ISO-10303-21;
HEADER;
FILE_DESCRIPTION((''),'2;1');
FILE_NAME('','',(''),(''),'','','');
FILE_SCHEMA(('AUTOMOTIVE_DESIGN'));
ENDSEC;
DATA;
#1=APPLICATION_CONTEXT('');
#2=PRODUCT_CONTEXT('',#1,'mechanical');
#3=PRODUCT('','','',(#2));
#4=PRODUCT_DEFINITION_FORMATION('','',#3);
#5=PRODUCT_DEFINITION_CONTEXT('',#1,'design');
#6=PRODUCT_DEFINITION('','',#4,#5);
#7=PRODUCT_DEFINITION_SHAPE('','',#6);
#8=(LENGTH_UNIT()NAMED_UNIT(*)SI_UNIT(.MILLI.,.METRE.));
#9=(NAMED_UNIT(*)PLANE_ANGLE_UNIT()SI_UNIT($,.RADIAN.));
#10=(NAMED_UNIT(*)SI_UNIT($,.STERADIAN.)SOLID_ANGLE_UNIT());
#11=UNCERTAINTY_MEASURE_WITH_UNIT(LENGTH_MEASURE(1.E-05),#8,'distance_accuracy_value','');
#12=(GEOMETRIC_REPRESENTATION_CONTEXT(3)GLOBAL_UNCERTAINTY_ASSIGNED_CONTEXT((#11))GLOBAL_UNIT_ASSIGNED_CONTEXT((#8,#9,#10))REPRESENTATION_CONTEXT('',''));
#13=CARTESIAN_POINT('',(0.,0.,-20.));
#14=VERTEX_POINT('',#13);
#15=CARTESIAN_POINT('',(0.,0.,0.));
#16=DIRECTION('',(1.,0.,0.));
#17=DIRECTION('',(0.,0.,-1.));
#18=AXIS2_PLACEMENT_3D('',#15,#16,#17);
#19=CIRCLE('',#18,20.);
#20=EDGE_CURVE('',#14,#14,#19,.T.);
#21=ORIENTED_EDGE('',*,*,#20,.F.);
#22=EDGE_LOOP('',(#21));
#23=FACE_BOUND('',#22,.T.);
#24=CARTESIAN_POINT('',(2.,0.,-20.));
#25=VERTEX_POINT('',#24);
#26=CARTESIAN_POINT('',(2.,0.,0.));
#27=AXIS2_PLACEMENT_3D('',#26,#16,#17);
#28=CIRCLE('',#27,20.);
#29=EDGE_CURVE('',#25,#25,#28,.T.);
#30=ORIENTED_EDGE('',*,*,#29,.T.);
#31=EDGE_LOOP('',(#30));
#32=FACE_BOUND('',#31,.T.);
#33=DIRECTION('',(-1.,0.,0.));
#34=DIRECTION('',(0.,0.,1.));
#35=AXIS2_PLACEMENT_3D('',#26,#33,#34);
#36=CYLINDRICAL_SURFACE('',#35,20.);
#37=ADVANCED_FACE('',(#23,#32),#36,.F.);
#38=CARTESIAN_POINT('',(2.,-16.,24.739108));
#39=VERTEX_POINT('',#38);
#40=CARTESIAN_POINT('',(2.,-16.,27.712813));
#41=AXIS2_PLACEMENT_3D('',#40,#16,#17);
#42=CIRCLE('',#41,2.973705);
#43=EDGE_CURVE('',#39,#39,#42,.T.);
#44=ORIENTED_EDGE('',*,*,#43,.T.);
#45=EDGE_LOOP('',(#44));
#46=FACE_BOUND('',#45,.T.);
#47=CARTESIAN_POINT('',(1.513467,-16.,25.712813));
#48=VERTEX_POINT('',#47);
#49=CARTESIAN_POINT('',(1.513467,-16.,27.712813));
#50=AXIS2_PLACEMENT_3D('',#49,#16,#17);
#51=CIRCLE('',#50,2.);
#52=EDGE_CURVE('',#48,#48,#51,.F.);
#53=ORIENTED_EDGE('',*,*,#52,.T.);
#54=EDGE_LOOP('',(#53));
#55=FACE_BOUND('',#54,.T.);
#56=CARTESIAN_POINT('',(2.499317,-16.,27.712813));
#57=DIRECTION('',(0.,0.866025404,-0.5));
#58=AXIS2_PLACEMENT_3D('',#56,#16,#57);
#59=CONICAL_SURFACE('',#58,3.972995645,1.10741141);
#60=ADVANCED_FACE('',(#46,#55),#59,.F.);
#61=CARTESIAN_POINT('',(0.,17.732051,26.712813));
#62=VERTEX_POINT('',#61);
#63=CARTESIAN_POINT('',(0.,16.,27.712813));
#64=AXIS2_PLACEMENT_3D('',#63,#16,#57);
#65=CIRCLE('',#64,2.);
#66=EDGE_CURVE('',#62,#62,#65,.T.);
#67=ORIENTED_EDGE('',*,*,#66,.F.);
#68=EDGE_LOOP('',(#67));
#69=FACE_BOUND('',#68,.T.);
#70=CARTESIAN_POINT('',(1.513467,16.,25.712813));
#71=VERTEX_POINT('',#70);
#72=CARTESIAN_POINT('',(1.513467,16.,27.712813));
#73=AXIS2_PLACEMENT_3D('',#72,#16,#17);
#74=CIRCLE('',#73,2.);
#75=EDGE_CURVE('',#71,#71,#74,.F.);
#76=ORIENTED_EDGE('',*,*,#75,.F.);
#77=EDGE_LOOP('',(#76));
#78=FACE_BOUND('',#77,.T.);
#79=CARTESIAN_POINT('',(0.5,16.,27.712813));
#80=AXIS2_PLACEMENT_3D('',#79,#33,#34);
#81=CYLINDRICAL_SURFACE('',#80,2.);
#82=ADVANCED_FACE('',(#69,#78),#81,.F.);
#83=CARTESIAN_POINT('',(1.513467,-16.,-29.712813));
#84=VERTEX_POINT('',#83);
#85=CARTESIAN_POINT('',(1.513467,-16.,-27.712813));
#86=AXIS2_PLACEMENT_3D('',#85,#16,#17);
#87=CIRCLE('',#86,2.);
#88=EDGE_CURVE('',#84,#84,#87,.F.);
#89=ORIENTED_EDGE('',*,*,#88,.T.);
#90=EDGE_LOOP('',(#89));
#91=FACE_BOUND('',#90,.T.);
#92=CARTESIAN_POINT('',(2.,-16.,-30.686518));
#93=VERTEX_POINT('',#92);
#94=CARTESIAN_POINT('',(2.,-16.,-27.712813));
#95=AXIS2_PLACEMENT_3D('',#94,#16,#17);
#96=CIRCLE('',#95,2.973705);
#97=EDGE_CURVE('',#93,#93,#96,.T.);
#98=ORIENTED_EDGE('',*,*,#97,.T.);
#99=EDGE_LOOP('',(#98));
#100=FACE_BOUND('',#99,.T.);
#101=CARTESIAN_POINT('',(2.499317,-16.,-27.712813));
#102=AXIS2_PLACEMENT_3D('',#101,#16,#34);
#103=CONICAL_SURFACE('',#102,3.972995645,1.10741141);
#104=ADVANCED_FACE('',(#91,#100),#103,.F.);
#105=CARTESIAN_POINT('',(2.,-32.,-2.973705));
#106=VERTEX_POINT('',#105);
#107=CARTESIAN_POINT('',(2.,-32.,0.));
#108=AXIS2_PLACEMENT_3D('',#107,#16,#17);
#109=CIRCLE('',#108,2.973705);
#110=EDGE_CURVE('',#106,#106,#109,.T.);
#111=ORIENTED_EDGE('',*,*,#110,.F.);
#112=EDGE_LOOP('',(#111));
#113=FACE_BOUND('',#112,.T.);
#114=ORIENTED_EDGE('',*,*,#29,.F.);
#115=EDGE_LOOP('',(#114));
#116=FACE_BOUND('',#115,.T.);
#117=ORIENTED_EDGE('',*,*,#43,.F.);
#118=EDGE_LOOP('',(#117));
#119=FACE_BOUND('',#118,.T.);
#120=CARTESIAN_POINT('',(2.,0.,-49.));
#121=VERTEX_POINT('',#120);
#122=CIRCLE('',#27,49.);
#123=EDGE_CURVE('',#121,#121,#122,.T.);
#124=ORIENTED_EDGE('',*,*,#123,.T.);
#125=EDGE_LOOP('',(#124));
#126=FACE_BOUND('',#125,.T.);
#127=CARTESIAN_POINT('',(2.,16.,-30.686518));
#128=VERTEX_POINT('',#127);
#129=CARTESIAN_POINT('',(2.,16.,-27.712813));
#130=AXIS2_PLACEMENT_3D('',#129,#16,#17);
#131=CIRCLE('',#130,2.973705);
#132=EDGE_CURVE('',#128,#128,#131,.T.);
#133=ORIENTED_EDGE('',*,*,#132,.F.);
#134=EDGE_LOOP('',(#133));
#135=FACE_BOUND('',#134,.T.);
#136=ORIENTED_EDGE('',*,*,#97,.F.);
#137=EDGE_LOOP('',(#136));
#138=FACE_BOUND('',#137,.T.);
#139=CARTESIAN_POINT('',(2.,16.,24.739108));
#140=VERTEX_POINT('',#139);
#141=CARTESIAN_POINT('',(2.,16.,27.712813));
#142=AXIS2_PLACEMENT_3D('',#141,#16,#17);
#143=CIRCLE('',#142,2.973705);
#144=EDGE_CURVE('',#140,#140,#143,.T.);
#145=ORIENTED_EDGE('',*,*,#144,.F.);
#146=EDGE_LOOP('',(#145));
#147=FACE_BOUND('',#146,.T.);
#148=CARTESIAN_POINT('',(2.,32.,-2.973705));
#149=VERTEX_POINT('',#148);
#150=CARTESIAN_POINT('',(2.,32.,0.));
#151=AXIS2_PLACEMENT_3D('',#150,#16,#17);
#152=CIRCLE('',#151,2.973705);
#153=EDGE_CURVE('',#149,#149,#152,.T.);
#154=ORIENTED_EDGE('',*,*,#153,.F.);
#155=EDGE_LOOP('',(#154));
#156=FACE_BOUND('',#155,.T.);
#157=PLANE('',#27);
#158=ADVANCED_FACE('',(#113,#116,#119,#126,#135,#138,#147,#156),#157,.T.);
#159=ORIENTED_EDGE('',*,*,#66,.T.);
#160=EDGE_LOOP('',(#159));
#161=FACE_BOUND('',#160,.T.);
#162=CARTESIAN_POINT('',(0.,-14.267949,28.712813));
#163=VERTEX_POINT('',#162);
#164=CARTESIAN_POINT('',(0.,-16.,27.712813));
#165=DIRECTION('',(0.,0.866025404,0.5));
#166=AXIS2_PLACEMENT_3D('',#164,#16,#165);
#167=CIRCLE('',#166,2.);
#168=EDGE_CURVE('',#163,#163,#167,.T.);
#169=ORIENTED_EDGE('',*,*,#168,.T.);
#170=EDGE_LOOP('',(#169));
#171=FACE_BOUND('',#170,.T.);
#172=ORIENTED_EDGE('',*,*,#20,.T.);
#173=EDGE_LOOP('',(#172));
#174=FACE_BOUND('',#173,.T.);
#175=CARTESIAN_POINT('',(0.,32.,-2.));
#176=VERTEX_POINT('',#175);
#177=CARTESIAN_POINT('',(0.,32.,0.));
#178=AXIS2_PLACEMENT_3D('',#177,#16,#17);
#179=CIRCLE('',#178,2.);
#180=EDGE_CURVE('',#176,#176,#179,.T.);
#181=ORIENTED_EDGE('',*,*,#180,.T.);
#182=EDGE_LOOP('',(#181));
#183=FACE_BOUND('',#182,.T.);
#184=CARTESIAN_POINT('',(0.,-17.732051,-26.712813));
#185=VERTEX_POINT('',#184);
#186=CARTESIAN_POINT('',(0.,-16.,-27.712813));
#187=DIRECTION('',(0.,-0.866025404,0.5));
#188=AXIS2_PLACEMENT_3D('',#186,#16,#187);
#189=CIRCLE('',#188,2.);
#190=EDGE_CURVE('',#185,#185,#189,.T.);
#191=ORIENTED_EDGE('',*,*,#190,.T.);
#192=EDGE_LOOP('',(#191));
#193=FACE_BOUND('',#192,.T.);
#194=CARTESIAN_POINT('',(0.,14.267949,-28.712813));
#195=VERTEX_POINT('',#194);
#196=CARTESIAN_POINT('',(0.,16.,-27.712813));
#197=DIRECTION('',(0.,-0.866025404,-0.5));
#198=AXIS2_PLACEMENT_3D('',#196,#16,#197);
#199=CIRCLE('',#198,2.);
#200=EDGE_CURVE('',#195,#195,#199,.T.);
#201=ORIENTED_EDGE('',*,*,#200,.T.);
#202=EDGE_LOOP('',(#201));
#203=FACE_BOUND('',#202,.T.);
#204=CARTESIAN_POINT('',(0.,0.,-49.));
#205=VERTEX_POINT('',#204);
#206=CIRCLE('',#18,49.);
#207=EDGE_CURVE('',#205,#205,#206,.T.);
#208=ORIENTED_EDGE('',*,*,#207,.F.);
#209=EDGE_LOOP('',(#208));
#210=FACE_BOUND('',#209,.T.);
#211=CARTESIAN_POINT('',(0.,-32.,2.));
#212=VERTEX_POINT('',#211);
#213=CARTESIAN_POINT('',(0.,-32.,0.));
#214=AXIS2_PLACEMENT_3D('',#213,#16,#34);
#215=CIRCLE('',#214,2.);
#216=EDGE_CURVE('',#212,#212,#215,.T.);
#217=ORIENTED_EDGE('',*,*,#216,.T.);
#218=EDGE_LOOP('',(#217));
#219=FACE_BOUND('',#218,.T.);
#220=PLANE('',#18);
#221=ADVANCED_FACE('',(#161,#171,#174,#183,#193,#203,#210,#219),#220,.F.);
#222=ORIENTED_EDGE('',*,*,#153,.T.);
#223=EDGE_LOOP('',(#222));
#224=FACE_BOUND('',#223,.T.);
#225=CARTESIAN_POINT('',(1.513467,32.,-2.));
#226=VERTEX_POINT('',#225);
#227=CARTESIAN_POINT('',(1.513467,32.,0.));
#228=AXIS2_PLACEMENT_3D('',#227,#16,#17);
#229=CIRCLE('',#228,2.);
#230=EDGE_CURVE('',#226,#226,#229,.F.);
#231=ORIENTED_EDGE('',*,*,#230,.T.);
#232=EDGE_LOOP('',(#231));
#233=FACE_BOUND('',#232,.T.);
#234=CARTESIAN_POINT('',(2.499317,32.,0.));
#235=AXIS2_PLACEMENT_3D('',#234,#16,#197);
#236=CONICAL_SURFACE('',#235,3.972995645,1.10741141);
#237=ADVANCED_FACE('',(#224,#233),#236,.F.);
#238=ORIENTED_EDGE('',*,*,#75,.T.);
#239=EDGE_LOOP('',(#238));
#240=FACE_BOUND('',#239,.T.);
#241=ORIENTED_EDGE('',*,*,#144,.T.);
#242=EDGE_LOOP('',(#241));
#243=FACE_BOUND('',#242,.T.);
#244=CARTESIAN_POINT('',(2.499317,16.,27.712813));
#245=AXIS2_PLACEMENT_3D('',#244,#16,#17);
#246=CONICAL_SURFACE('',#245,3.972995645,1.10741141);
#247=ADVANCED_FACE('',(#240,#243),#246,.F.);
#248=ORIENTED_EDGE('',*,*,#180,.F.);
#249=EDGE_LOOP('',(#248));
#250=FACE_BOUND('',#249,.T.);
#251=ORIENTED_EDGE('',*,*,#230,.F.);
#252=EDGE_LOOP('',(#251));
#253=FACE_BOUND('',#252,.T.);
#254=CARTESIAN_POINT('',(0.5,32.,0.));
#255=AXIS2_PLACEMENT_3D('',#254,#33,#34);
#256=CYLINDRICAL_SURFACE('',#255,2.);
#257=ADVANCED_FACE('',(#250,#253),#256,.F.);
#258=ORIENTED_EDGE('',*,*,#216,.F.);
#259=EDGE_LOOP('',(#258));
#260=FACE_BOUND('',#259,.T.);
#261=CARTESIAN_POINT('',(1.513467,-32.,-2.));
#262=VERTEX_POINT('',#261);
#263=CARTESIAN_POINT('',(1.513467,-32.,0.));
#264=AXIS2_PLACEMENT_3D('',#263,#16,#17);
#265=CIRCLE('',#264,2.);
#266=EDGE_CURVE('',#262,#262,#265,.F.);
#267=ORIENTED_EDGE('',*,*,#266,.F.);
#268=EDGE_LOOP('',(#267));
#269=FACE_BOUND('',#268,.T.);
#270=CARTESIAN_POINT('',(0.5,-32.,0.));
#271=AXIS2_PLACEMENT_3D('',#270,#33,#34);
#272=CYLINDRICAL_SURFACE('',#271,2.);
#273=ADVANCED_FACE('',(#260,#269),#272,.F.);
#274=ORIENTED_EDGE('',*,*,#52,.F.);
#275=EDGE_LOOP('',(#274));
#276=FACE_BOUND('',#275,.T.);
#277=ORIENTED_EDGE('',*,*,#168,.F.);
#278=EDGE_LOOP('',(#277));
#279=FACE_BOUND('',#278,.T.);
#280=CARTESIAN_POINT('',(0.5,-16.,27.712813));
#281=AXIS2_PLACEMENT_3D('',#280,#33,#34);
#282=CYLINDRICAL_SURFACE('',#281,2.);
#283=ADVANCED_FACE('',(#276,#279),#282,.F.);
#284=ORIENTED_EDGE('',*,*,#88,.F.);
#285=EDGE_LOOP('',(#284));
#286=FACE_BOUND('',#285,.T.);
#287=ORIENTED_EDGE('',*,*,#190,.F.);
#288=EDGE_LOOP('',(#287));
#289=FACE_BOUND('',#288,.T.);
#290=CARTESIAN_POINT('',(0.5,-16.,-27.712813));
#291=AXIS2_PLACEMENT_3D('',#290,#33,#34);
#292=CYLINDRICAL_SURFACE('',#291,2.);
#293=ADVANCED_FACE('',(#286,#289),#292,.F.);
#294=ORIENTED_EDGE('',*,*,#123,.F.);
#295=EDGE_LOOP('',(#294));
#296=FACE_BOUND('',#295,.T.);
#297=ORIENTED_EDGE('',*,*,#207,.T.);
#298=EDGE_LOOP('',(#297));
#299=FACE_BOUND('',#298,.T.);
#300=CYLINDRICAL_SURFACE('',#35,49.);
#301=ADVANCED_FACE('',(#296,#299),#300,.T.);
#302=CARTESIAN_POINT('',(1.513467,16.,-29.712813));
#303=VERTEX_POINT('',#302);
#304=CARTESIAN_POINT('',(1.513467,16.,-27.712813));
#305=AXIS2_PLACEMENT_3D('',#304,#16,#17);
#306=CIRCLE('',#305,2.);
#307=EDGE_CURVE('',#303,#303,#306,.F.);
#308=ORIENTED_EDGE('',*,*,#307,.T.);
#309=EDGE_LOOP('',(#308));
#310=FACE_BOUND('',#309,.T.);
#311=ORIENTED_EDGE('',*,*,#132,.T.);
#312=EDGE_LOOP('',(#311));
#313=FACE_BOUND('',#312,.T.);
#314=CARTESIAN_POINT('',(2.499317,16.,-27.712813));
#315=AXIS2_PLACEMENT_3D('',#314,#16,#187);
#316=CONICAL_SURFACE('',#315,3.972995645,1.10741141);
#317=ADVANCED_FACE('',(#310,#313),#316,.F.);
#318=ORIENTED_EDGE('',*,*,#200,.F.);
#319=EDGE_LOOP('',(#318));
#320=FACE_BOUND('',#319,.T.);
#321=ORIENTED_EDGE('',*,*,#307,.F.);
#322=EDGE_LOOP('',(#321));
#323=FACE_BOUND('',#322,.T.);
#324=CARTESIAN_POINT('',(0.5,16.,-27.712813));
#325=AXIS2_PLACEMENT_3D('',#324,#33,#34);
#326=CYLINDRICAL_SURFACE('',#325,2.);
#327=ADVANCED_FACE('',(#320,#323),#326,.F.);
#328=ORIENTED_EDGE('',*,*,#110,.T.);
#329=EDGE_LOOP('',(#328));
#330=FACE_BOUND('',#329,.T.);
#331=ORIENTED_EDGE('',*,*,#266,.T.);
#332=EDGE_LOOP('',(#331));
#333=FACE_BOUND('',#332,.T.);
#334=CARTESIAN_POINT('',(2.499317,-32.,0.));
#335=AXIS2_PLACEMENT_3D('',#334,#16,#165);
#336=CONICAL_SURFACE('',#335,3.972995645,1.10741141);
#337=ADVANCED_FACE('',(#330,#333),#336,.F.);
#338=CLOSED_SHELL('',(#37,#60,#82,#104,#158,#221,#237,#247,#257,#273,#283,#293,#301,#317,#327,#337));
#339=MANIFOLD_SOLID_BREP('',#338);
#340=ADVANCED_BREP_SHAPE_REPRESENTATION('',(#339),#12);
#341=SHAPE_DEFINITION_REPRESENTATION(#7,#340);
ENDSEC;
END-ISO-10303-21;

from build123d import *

# Parameters (mm, degrees)
SKETCH1_R           = 49
SKETCH1_R_2         = 20
BOSS_EXTRUDE1_DEPTH = 2
SKETCH1_3_R         = 2
CUT_EXTRUDE2_DEPTH  = 0.5
SKETCH1_4_R         = 2
CUT_EXTRUDE3_DEPTH  = 70.32532005
CIRPATTERN1_COUNT   = 6
CIRPATTERN2_COUNT   = 6


with BuildPart() as part:
    # Sketch1 → Boss-Extrude1 (new body)
    with BuildSketch(Plane.YZ):
        Circle(SKETCH1_R)
        Circle(SKETCH1_R_2, mode=Mode.SUBTRACT)
    extrude(amount=BOSS_EXTRUDE1_DEPTH)

    # Sketch1<3> → Cut-Extrude2 (cut)
    with BuildSketch(Plane.YZ):
        with Locations((32, 0)):
            Circle(SKETCH1_3_R)
    cut_extrude2 = extrude(amount=CUT_EXTRUDE2_DEPTH, mode=Mode.SUBTRACT)

    # Sketch1<4> → Cut-Extrude3 (cut, through all)
    with BuildSketch(Plane.YZ):
        with Locations((32, 0)):
            Circle(SKETCH1_4_R)
    cut_extrude3 = extrude(amount=CUT_EXTRUDE3_DEPTH, mode=Mode.SUBTRACT)

    # CirPattern1: Cut-Extrude2, Cut-Extrude3 ×6 about axis
    cirpattern1_axis = Axis((0, 0, 0), (1, 0, 0))
    add([cut_extrude2.rotate(cirpattern1_axis, i * 360 / CIRPATTERN1_COUNT) for i in range(1, CIRPATTERN1_COUNT)], mode=Mode.SUBTRACT)
    add([cut_extrude3.rotate(cirpattern1_axis, i * 360 / CIRPATTERN1_COUNT) for i in range(1, CIRPATTERN1_COUNT)], mode=Mode.SUBTRACT)

    # Sketch3 → Cut-Revolve1 (revolve, cut)
    with BuildSketch(Plane(origin=(0, 16, 0), x_dir=(-1, 0, 0), z_dir=(0, 1, 0))):
        Polygon((-2.49931716, 31.685808566), (-2.49931716, 27.712812921), (-1.5, 27.712812921), (-1.5, 29.685860989), align=None)
    cut_revolve1 = revolve(axis=Axis((15.134577625, 16, 27.712812921), (-1, 0, 0)), mode=Mode.SUBTRACT)

    # CirPattern2: Cut-Revolve1 ×6 about axis
    cirpattern2_axis = Axis((2, 0, 0), (1, 0, 0))
    for i in range(1, CIRPATTERN2_COUNT):
        add(cut_revolve1.rotate(cirpattern2_axis, i * 360 / CIRPATTERN2_COUNT), mode=Mode.SUBTRACT)


solid = part.part
